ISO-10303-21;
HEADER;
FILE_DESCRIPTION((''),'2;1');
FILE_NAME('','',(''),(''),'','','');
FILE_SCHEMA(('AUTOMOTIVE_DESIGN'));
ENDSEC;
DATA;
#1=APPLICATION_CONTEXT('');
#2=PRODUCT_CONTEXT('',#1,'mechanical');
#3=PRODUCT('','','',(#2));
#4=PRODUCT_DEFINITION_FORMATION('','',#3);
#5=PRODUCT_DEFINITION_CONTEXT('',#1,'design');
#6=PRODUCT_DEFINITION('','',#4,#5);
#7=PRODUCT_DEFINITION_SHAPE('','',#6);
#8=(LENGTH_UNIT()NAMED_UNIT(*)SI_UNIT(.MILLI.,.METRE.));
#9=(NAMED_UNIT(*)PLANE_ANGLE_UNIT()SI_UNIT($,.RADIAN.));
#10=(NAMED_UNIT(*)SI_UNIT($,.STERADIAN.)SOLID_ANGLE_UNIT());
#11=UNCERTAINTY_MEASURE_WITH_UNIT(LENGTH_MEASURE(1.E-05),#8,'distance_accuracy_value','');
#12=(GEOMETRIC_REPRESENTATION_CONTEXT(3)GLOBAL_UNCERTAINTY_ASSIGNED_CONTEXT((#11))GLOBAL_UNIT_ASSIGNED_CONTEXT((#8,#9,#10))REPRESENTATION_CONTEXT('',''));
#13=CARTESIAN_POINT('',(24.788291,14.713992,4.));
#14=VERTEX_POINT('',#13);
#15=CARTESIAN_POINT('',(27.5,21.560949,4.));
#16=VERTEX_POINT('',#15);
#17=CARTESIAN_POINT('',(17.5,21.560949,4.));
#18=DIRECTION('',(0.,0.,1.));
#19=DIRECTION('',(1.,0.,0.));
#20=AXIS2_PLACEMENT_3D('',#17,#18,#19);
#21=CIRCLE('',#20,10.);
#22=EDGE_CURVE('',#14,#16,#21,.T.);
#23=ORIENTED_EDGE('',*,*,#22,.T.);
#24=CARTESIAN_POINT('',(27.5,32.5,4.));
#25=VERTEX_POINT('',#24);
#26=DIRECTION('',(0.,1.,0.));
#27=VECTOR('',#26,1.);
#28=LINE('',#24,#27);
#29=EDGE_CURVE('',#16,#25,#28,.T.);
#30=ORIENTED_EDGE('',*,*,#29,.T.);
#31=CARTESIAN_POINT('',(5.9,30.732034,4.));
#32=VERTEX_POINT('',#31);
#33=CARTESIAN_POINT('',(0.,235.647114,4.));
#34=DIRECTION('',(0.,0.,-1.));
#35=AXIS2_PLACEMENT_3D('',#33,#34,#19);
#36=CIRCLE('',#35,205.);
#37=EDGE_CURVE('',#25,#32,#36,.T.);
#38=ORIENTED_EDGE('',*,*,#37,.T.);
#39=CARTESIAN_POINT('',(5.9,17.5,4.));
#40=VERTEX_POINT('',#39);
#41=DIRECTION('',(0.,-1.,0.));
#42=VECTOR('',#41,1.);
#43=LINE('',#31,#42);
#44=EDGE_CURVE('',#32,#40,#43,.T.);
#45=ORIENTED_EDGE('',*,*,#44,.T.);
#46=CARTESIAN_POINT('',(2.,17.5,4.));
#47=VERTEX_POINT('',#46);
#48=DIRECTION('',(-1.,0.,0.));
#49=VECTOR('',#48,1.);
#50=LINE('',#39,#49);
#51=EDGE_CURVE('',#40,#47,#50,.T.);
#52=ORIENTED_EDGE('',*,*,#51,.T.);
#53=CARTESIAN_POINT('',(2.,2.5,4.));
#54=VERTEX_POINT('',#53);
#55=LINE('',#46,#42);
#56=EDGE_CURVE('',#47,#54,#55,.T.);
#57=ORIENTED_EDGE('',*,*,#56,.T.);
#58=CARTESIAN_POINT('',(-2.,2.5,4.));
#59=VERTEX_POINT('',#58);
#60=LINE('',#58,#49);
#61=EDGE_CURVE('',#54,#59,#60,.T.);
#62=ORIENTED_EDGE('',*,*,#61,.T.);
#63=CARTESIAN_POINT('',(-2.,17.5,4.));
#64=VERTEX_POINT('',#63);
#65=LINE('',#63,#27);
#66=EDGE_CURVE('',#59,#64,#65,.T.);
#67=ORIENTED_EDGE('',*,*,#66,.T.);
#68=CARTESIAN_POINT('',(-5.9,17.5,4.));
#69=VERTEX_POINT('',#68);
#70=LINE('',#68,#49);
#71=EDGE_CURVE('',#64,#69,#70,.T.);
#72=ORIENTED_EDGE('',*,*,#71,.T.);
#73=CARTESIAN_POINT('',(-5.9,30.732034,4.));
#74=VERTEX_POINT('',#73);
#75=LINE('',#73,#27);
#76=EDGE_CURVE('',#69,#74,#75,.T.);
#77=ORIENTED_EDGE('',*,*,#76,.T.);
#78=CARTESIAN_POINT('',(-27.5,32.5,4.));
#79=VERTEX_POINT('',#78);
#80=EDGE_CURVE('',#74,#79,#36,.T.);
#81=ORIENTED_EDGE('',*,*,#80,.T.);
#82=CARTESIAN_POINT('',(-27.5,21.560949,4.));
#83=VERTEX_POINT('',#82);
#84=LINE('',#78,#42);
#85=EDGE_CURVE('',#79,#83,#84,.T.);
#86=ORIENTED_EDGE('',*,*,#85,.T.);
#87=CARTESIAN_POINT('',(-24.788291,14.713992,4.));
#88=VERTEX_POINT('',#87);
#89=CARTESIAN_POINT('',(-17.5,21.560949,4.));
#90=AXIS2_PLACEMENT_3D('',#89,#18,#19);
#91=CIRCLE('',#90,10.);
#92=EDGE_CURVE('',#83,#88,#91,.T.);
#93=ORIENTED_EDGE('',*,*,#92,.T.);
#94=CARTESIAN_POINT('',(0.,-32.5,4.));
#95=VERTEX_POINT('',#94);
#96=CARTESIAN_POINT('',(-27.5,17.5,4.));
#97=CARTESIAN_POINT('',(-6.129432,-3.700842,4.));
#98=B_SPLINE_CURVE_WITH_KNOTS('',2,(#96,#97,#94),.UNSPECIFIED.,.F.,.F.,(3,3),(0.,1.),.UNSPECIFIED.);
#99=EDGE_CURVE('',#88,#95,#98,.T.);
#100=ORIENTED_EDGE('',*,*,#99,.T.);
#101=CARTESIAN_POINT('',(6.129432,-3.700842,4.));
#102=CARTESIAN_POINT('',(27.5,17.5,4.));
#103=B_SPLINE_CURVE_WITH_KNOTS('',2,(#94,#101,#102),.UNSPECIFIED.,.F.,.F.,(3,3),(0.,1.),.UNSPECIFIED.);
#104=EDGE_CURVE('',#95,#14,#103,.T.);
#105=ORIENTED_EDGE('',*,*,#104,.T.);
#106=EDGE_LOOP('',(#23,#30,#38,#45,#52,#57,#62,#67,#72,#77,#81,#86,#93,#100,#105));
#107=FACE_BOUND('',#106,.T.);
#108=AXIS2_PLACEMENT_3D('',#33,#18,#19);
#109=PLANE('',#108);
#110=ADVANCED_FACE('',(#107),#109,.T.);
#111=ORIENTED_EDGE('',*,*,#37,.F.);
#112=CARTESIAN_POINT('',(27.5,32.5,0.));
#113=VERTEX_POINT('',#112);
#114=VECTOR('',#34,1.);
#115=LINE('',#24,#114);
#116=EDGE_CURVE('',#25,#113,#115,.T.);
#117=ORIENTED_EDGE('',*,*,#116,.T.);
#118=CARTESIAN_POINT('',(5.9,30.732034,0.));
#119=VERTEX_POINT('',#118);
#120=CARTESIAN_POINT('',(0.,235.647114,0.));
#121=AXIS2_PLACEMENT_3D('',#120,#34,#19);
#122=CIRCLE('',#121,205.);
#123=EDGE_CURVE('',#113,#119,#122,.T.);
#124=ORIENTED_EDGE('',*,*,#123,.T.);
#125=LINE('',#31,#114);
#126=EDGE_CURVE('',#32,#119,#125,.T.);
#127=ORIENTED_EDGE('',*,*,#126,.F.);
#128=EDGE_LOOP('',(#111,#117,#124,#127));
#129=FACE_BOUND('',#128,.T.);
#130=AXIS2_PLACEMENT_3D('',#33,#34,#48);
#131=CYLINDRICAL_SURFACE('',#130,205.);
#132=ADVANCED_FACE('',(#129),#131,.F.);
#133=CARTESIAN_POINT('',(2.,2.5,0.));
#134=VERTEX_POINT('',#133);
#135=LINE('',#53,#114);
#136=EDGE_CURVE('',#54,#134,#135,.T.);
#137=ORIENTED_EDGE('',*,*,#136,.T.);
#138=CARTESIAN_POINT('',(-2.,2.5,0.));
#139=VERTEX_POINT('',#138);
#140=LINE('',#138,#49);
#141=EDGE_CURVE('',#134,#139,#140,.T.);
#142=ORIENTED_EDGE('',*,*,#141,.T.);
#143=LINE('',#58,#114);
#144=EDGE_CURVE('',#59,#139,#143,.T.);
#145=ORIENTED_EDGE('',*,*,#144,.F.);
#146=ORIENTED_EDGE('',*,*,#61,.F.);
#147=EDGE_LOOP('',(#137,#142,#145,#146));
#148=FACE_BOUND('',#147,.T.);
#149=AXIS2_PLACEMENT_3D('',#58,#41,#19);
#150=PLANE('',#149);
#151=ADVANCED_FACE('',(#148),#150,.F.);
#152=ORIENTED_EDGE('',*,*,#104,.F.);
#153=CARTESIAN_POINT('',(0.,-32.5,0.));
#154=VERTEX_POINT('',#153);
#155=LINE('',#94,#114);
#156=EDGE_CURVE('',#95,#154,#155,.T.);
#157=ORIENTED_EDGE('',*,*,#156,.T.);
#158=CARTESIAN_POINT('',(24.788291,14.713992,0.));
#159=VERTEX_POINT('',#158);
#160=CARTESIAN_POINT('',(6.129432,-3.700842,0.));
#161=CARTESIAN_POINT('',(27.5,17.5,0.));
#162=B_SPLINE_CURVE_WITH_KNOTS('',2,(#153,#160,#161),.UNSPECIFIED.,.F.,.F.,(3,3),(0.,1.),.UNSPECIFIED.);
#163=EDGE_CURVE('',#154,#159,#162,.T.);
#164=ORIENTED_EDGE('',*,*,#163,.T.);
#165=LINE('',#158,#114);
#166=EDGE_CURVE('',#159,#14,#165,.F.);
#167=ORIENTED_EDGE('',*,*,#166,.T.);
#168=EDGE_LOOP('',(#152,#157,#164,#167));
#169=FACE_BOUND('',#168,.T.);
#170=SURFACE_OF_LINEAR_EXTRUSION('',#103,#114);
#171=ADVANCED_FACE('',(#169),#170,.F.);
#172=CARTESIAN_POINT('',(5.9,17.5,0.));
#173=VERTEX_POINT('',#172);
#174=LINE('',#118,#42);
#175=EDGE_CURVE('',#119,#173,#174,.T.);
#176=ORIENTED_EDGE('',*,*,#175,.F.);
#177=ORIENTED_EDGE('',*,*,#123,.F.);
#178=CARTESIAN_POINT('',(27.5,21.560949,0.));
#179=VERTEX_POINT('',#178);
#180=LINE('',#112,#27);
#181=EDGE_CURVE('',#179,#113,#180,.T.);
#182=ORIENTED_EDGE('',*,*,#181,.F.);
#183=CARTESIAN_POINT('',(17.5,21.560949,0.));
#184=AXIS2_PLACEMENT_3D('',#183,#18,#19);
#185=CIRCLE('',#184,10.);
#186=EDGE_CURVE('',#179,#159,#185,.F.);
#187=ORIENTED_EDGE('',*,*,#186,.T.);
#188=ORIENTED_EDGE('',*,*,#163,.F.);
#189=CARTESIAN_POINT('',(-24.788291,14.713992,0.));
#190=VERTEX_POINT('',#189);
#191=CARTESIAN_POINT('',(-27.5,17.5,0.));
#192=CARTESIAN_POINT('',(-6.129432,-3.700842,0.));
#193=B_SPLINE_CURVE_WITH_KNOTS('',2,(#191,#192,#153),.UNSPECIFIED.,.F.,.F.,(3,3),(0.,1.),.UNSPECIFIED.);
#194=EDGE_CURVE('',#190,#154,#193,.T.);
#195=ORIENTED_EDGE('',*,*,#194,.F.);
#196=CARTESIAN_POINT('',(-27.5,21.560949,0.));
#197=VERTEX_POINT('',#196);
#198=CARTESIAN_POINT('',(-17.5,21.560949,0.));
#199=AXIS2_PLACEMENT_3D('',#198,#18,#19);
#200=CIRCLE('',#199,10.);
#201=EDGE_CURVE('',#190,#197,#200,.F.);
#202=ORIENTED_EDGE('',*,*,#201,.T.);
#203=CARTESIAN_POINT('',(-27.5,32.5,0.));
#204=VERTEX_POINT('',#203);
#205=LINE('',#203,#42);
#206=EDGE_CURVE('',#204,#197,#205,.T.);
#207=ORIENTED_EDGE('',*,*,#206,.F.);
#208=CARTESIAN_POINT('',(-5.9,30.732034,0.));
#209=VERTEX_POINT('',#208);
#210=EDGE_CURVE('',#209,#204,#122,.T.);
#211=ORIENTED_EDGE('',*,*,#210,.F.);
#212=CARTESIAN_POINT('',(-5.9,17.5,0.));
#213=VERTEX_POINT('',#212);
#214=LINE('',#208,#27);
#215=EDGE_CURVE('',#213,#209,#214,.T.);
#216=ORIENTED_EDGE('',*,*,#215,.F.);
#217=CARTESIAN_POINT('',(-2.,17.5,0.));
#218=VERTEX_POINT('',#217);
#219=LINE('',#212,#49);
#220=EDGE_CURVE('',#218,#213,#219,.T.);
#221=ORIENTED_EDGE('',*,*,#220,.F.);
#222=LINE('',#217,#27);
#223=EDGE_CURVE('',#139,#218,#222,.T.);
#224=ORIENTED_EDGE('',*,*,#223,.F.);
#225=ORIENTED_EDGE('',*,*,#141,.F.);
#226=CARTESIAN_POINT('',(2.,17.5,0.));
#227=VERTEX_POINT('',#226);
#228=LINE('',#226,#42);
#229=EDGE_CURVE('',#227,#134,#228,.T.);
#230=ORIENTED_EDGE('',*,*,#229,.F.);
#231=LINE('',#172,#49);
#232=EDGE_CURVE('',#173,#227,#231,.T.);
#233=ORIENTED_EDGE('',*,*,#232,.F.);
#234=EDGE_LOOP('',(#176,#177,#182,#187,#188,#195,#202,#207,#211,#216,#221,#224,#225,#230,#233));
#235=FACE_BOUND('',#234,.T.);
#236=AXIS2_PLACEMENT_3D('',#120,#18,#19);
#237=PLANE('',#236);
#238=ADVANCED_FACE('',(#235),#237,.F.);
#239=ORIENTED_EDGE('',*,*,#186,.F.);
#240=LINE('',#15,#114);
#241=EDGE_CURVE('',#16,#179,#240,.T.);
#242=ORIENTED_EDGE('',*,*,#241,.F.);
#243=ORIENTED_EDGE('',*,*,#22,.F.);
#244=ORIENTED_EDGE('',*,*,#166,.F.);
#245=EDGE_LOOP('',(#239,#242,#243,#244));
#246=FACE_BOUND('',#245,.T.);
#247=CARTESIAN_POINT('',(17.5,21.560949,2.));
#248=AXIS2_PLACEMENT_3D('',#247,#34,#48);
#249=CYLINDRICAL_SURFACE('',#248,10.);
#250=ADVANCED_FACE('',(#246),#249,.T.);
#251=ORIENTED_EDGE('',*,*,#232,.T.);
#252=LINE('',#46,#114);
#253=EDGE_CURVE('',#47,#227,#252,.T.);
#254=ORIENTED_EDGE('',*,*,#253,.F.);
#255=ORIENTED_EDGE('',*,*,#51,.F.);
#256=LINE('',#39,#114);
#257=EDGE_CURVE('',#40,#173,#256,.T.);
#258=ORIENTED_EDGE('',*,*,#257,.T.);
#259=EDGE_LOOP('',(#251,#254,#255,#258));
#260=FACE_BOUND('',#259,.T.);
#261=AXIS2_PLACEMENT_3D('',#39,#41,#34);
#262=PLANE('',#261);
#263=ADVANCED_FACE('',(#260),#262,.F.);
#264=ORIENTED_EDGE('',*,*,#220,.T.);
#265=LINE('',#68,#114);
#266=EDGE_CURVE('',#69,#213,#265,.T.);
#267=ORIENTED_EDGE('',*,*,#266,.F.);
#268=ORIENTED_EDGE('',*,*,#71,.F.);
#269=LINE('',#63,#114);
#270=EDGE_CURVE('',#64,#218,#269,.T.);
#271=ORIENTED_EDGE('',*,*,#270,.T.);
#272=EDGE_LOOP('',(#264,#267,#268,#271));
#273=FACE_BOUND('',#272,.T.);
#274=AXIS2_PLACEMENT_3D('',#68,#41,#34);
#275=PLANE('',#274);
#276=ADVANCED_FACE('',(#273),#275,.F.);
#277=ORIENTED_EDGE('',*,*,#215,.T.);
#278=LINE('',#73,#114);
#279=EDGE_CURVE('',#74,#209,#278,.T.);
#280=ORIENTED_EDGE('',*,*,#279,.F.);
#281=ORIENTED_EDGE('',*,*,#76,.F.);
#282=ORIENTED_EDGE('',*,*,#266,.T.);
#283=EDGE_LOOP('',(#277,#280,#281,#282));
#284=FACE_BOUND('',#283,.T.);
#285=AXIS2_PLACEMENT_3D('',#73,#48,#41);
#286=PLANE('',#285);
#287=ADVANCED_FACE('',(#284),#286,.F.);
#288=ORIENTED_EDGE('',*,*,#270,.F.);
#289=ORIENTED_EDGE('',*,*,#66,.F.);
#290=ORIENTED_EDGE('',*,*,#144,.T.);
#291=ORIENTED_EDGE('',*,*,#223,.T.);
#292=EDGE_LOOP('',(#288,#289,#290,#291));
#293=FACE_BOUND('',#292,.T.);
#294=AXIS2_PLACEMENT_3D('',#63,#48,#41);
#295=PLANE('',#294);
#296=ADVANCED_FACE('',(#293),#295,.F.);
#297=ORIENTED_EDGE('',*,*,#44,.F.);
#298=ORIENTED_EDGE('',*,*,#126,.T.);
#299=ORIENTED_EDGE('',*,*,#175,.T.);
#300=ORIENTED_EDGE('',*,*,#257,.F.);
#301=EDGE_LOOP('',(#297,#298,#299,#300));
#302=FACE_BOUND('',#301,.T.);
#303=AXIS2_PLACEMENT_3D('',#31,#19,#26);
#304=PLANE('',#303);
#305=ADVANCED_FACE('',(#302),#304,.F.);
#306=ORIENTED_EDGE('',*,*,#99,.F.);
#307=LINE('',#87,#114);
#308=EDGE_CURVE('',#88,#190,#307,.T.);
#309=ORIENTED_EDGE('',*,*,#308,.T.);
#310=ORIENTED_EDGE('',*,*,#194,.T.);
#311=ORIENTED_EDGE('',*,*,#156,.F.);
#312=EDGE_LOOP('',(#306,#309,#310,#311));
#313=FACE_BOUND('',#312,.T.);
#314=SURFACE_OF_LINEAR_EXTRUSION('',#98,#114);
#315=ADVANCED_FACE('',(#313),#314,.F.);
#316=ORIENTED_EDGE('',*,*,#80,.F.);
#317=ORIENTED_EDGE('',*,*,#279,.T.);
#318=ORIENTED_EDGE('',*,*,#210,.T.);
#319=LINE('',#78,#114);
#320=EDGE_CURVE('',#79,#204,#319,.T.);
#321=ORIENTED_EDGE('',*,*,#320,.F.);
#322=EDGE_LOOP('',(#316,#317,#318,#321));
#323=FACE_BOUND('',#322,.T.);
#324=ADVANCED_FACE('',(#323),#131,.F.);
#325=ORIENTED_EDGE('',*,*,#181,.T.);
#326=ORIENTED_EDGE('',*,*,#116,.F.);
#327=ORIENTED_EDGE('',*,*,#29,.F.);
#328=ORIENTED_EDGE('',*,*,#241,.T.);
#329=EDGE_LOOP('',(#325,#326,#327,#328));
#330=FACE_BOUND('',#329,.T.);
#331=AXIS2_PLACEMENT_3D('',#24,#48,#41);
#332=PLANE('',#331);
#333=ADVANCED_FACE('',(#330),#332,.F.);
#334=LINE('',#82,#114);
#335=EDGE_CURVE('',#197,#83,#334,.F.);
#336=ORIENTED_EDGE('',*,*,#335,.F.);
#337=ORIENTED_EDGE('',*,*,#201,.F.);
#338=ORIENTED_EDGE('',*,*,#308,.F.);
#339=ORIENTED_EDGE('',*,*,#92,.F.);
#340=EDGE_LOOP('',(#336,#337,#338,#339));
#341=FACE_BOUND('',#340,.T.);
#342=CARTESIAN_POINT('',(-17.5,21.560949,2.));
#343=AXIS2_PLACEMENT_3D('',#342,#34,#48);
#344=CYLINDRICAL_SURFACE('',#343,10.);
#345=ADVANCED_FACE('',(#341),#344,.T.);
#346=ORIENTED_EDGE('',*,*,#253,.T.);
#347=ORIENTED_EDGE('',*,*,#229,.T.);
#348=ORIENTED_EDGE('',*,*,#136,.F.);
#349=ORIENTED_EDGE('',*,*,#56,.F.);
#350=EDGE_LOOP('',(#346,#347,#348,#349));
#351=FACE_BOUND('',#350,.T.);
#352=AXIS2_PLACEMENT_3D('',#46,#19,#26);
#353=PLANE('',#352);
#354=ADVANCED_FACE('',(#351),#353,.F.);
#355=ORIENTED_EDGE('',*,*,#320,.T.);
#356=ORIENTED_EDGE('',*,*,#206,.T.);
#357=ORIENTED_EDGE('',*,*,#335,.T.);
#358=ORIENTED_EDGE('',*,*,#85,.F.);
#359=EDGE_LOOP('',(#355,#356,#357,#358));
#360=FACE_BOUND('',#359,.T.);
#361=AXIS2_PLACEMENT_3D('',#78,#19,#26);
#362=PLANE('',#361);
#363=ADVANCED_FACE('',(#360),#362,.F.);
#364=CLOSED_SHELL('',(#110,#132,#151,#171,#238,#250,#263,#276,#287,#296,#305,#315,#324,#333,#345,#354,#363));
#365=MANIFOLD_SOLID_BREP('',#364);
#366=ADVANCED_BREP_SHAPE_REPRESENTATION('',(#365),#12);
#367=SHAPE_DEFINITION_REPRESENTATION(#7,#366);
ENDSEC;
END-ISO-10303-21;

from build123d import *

# Parameters (mm, degrees)
BOSS_EXTRU_1_DEPTH = 4
CONG_1_R           = 10


with BuildPart() as part:
    # Esquisse1 → Boss.-Extru.1 (new body)
    with BuildSketch(Plane.XY):
        with BuildLine():
            Line((-27.5, 32.5), (-27.5, 17.5))
            add(Edge.make_bspline(
                [(-27.5, 17.5), (-6.129432255, -3.700842112), (0, -32.5)],
                knots=[0, 0, 0, 1, 1, 1], degree=2))
            add(Edge.make_bspline(
                [(27.5, 17.5), (6.129432255, -3.700842112), (0, -32.5)],
                knots=[0, 0, 0, 1, 1, 1], degree=2))
            Line((27.5, 17.5), (27.5, 32.5))
            ThreePointArc((27.5, 32.5), (16.723379615, 31.330378268), (5.9, 30.732034209))
            Line((5.9, 30.732034209), (5.9, 17.5))
            Line((5.9, 17.5), (2, 17.5))
            Line((2, 17.5), (2, 2.5))
            Line((2, 2.5), (-2, 2.5))
            Line((-2, 2.5), (-2, 17.5))
            Line((-2, 17.5), (-5.9, 17.5))
            Line((-5.9, 17.5), (-5.9, 30.732034209))
            ThreePointArc((-5.9, 30.732034209), (-16.723379615, 31.330378268), (-27.5, 32.5))
        make_face()
    extrude(amount=BOSS_EXTRU_1_DEPTH)

    # Congé1
    cong_1_edges = [part.edges().sort_by_distance(p)[0] for p in [
        (-27.5, 17.5, 2),
        (27.5, 17.5, 2),
    ]]
    fillet(cong_1_edges, radius=CONG_1_R)


solid = part.part
